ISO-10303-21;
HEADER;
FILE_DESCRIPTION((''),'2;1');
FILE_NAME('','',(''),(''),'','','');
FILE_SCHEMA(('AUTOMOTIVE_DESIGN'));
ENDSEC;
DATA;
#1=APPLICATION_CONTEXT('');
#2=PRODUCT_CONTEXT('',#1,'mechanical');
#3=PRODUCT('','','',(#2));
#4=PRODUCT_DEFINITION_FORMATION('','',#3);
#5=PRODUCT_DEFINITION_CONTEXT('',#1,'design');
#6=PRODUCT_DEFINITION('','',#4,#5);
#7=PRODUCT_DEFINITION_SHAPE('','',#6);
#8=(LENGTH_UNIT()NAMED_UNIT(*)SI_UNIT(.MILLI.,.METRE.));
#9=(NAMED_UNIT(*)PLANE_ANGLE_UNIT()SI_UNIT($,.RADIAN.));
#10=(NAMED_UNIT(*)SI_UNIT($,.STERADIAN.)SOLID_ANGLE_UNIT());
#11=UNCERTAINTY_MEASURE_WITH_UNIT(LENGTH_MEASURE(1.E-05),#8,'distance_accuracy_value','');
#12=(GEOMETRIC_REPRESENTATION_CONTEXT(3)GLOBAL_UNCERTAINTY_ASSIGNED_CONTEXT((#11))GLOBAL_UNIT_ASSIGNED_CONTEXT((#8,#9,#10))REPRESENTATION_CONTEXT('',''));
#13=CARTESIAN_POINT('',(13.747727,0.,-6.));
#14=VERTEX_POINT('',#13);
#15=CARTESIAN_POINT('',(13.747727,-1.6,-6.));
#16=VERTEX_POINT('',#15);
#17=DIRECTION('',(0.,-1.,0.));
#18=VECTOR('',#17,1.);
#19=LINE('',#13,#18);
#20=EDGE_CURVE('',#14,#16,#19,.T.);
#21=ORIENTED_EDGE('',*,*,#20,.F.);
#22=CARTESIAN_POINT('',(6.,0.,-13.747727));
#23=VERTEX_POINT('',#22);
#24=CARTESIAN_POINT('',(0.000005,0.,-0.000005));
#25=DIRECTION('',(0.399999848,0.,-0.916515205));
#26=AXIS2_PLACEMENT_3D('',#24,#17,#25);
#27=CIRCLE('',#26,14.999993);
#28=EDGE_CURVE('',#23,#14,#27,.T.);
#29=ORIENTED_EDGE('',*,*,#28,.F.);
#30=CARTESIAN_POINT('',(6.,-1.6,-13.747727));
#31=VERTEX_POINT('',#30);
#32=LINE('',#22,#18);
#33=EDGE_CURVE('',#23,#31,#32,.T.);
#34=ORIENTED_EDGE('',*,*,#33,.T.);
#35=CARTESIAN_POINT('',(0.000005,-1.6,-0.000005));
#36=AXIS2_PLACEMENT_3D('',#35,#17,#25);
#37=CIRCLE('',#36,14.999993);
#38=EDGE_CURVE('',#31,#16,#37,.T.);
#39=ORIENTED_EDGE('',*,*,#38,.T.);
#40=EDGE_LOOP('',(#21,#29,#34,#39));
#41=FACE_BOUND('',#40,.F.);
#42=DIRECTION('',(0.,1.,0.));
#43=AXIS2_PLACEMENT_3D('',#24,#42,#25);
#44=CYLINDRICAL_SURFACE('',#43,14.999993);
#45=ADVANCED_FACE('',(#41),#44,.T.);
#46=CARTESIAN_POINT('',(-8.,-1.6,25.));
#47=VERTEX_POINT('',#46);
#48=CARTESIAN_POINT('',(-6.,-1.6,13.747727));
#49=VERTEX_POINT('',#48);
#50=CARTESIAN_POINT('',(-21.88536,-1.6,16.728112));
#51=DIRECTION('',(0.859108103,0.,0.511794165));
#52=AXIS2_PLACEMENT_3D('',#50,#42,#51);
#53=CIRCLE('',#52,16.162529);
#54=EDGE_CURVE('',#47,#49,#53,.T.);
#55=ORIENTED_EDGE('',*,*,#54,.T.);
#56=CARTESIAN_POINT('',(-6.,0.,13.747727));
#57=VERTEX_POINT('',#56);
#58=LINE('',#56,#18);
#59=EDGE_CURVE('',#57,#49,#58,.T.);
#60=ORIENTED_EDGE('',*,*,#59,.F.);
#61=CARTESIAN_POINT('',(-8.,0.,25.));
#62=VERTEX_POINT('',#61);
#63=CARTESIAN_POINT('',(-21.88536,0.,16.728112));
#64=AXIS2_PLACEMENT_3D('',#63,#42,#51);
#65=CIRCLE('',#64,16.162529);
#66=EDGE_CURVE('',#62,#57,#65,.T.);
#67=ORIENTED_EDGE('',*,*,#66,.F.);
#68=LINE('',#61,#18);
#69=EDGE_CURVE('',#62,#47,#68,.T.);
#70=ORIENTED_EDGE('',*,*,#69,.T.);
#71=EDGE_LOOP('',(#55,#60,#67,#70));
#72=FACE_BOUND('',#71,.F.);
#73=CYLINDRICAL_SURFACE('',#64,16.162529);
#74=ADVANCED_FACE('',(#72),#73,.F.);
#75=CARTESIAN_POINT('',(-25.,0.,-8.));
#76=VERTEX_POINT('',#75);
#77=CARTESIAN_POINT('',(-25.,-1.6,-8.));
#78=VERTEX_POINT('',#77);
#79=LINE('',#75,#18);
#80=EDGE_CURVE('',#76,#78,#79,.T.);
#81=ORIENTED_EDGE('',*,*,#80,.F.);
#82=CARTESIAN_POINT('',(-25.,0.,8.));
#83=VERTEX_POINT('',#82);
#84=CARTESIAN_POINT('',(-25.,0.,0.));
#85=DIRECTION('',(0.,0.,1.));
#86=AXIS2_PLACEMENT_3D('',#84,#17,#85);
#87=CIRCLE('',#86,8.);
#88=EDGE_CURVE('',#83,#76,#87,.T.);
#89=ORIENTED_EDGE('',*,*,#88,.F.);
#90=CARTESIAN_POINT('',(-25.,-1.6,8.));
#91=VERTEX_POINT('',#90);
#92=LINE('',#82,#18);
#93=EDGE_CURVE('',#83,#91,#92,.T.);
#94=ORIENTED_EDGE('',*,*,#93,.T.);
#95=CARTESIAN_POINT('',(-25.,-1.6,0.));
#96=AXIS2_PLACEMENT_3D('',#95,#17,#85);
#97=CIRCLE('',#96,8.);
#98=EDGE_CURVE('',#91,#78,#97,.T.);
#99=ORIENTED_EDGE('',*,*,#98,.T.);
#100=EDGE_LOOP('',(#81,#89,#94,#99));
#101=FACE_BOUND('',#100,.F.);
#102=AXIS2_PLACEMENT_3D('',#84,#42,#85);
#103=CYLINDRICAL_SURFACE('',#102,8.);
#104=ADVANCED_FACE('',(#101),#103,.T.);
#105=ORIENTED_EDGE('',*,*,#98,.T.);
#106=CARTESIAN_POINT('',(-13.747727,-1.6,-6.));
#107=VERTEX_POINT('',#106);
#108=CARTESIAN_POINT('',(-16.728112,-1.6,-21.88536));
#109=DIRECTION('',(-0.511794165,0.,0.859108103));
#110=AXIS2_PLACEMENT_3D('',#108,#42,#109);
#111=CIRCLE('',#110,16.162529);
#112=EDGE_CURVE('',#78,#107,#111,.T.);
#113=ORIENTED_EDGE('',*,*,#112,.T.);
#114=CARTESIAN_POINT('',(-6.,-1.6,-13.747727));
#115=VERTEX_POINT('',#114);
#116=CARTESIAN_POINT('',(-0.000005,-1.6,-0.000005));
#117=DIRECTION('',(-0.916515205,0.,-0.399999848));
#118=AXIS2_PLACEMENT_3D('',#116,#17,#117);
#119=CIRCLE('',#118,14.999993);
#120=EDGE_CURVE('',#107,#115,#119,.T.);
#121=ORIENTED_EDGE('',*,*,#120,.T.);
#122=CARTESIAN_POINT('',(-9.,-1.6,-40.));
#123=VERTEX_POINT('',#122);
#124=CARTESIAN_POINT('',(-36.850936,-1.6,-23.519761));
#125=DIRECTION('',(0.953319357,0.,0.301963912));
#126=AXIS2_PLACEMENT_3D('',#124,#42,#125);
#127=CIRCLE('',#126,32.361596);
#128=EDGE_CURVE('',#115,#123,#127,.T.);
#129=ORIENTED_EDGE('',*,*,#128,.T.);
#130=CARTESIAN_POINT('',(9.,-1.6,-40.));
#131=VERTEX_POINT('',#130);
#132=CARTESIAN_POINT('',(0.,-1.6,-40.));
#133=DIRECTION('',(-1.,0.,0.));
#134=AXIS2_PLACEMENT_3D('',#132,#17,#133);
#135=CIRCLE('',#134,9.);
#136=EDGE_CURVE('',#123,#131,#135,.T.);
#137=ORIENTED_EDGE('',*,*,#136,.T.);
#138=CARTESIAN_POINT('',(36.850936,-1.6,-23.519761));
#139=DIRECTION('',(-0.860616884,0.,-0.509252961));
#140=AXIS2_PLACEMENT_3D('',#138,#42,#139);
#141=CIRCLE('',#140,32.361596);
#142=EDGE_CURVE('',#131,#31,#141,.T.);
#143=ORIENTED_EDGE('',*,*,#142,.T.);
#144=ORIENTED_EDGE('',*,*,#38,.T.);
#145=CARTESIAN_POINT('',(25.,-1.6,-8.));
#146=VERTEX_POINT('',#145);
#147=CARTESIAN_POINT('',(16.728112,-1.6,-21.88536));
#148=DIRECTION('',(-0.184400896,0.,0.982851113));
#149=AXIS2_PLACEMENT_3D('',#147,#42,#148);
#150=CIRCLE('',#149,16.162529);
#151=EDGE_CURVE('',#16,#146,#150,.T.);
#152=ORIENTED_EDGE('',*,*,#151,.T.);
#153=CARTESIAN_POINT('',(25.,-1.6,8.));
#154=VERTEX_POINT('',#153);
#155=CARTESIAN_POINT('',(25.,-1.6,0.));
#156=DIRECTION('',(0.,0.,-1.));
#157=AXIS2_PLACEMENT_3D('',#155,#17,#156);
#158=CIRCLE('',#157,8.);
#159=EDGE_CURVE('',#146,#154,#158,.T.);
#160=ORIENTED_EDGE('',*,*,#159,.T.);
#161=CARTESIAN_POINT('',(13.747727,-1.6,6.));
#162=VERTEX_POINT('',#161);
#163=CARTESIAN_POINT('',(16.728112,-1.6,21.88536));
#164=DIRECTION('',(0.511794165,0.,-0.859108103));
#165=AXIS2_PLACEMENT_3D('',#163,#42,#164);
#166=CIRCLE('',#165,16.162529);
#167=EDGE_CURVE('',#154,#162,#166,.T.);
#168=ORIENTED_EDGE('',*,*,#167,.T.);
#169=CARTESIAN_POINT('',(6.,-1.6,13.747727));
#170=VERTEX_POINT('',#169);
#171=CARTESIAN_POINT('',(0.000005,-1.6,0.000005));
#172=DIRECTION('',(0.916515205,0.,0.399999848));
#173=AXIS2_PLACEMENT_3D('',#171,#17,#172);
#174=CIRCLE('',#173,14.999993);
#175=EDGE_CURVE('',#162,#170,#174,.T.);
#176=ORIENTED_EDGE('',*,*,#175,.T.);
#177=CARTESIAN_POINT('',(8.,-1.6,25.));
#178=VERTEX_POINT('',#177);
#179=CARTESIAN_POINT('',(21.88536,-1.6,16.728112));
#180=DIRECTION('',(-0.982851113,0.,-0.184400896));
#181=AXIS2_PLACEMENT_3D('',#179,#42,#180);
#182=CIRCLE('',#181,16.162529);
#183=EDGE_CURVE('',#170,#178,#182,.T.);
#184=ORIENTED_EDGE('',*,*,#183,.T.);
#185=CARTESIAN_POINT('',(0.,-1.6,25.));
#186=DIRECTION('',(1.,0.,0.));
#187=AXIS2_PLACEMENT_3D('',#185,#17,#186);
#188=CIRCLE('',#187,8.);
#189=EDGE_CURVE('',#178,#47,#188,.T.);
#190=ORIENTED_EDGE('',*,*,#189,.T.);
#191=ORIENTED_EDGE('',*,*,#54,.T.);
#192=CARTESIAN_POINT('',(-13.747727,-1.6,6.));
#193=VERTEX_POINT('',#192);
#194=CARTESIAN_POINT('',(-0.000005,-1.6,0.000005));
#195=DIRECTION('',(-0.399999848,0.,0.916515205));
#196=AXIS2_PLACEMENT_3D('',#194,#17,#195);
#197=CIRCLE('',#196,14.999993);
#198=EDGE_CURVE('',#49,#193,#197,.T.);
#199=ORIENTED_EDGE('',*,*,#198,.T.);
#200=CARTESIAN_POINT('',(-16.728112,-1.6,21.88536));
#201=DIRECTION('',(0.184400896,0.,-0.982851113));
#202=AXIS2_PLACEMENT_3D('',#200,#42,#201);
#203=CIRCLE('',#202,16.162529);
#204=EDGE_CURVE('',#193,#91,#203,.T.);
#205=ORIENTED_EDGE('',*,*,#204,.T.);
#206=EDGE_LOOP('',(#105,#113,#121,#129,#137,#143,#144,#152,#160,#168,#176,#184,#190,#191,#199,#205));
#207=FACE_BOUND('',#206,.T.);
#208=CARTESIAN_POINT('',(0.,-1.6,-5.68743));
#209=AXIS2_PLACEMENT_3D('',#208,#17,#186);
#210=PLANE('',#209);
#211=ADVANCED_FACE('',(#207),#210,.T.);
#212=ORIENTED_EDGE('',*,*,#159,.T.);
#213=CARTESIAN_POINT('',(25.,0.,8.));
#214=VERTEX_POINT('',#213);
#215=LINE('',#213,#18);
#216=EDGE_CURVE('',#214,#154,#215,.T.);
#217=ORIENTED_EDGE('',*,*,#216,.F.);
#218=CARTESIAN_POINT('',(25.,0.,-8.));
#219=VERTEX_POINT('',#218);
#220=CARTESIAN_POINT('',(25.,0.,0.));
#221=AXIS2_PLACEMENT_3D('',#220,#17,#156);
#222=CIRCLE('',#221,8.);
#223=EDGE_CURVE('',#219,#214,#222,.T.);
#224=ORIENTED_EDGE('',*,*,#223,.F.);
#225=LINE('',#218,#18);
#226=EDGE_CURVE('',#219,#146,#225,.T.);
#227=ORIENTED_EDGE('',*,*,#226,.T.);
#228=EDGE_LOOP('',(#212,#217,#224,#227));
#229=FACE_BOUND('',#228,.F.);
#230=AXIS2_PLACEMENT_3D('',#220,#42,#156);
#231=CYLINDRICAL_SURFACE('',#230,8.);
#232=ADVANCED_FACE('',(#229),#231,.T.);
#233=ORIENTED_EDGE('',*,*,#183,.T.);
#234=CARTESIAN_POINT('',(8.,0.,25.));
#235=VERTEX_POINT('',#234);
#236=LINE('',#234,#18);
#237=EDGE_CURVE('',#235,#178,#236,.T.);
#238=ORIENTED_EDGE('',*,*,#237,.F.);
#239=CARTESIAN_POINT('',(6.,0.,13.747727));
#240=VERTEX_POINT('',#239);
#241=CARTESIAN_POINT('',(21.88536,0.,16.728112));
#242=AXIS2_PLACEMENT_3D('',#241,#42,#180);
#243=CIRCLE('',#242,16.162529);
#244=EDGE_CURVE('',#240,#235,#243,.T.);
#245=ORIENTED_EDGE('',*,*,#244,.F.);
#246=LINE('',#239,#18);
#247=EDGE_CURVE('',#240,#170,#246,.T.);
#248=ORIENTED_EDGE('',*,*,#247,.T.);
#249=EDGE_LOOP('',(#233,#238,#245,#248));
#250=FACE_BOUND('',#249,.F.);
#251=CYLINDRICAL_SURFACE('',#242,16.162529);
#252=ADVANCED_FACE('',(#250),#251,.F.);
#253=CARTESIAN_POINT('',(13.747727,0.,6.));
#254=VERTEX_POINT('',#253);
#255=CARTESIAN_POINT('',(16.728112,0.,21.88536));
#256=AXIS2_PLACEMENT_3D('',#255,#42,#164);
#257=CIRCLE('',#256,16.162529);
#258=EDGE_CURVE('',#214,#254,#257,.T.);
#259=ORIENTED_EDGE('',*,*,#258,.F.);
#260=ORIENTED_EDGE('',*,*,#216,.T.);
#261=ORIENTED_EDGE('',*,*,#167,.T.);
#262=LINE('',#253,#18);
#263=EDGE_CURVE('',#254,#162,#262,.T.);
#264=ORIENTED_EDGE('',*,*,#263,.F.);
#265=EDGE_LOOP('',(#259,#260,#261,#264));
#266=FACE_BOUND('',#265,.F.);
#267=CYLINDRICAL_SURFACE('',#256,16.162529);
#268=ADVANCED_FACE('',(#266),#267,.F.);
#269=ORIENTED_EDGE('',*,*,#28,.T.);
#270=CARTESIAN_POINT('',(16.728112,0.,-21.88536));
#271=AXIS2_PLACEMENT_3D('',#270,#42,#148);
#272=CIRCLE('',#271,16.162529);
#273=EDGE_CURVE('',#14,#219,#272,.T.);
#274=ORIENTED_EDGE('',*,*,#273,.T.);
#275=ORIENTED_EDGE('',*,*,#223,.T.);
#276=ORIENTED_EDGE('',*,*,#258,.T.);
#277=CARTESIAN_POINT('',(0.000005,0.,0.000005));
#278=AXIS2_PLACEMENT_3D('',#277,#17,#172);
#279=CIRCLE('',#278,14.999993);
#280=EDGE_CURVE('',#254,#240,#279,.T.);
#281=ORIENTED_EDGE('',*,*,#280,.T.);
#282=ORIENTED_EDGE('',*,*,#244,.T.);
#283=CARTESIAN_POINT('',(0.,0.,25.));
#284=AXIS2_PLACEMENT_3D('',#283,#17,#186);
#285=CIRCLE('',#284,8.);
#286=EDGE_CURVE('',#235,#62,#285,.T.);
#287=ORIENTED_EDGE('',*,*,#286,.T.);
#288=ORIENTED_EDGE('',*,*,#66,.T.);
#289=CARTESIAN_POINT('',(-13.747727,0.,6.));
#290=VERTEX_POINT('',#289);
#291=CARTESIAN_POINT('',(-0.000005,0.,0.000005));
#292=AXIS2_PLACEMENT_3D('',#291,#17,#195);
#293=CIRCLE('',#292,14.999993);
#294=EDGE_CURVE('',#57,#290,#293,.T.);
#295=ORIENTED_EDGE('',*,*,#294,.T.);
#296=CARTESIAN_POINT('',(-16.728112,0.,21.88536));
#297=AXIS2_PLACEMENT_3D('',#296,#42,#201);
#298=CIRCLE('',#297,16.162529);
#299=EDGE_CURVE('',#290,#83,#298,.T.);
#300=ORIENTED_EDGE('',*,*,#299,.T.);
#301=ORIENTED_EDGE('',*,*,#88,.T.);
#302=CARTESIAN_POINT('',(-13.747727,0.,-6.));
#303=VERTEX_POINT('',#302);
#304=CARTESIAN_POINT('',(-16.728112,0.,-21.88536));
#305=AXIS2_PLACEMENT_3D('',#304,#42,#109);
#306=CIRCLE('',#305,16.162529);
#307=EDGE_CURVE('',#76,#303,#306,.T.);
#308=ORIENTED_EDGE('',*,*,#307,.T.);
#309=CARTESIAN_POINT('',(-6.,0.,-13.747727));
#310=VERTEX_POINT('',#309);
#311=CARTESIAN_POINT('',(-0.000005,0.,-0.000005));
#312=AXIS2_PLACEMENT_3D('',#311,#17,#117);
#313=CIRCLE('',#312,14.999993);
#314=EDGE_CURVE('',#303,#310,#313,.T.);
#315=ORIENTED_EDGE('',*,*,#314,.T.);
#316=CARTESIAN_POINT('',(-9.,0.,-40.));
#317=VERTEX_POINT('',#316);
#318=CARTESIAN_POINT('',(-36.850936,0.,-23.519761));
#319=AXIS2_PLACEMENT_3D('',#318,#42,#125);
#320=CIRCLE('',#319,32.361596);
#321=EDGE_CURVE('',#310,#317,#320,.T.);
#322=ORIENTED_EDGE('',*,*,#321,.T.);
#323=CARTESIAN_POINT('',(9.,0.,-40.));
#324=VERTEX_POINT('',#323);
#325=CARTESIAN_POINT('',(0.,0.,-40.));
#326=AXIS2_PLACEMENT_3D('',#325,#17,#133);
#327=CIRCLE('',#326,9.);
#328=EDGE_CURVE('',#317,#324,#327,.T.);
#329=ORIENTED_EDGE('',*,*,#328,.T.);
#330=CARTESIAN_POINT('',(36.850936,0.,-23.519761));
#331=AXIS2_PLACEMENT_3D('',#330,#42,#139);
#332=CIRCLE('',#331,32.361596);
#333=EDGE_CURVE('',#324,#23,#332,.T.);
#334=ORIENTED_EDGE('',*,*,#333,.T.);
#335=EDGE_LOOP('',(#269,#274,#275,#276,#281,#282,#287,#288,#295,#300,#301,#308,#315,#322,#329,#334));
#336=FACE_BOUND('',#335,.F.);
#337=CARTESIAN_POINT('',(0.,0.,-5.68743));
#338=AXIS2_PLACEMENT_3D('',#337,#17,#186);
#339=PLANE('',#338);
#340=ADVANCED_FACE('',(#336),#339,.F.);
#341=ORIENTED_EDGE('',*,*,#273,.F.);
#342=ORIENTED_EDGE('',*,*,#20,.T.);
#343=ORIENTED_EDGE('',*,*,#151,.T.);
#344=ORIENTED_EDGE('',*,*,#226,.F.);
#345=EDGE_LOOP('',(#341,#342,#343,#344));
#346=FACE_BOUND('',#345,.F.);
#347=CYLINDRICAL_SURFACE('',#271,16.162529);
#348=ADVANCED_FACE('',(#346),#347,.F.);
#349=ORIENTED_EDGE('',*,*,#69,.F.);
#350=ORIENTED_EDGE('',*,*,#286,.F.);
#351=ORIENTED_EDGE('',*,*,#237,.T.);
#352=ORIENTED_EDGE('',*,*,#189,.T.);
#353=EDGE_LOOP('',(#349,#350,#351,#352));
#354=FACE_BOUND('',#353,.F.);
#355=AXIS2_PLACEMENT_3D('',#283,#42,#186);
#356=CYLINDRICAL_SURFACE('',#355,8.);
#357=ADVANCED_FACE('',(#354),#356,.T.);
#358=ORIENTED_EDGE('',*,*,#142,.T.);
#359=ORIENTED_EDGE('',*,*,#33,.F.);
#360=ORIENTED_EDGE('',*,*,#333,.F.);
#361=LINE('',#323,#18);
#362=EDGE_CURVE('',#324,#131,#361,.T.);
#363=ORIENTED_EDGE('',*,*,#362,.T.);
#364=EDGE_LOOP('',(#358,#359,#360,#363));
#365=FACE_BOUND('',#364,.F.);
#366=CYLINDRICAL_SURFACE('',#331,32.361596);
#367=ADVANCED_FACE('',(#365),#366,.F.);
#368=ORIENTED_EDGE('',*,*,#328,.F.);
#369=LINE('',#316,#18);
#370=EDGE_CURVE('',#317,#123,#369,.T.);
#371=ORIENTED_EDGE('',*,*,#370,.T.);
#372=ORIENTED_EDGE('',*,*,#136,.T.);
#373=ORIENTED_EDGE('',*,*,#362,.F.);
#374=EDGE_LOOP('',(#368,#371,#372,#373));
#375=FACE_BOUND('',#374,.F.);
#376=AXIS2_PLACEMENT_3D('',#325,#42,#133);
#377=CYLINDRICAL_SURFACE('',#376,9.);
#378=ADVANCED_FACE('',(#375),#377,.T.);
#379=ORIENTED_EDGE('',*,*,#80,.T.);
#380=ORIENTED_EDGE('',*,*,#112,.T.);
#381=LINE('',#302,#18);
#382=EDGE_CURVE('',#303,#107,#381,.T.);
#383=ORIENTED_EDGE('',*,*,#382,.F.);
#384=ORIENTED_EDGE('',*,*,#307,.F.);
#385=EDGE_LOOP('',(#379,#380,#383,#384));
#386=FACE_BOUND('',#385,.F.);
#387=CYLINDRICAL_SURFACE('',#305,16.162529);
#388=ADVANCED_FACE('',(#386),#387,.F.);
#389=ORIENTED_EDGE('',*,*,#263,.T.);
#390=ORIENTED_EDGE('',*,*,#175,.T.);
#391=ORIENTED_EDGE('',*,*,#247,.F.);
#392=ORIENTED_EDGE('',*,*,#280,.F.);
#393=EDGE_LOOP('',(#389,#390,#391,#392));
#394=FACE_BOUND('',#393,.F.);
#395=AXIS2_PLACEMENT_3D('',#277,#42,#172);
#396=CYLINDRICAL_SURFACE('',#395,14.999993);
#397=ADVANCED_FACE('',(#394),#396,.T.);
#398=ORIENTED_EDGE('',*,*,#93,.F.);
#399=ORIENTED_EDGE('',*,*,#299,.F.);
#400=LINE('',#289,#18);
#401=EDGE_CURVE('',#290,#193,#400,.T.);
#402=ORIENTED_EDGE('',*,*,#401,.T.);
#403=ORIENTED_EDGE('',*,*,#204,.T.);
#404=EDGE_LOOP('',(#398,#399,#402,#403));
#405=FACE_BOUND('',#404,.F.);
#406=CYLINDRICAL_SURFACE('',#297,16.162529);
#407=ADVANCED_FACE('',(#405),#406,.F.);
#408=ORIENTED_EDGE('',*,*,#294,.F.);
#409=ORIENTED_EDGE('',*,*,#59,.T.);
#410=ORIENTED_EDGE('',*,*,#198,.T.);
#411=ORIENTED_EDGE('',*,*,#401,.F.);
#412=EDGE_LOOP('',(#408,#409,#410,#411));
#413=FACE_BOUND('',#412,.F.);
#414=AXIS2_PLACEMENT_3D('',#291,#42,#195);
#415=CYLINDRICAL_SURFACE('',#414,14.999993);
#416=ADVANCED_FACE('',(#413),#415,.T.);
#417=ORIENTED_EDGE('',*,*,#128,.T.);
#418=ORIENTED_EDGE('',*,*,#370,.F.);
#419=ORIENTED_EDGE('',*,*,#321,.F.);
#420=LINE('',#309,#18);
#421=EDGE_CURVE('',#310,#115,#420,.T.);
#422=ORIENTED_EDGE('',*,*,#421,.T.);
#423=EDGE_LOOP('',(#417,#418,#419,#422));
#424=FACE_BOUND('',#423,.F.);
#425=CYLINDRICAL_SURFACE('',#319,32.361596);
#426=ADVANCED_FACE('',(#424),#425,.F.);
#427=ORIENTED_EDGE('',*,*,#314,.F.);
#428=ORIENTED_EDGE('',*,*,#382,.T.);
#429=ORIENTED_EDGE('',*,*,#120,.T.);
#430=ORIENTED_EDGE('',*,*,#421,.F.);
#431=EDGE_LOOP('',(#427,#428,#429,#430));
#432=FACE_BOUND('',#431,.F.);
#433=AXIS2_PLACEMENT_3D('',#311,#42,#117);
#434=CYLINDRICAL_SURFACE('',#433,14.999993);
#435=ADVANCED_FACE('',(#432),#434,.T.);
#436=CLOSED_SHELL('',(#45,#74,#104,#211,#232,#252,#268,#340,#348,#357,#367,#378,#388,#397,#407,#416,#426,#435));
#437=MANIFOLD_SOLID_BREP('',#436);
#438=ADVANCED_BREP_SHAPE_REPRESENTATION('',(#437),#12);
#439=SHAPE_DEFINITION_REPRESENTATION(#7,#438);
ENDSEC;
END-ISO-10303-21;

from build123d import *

# Parameters (mm, degrees)
F1_DEPTH = 1.6


with BuildPart() as f1:
    # F0 (on Front) → F1 (new body)
    with BuildSketch(Plane.XZ):
        with BuildLine():
            ThreePointArc((9, -40), (4.698597, -27.193996), (6, -13.747727))
            ThreePointArc((6, -13.747727), (10.606602, -10.606602), (13.747727, -6))
            ThreePointArc((13.747727, -6), (19.556539, -5.972241), (25, -8))
            ThreePointArc((25, -8), (33, 0), (25, 8))
            ThreePointArc((25, 8), (19.556539, 5.972241), (13.747727, 6))
            ThreePointArc((13.747727, 6), (10.606602, 10.606602), (6, 13.747727))
            ThreePointArc((6, 13.747727), (5.972241, 19.556539), (8, 25))
            ThreePointArc((8, 25), (0, 33), (-8, 25))
            ThreePointArc((-8, 25), (-5.972241, 19.556539), (-6, 13.747727))
            ThreePointArc((-6, 13.747727), (-10.606602, 10.606602), (-13.747727, 6))
            ThreePointArc((-13.747727, 6), (-19.556539, 5.972241), (-25, 8))
            ThreePointArc((-25, 8), (-33, 0), (-25, -8))
            ThreePointArc((-25, -8), (-19.556539, -5.972241), (-13.747727, -6))
            ThreePointArc((-13.747727, -6), (-10.606602, -10.606602), (-6, -13.747727))
            ThreePointArc((-6, -13.747727), (-4.698597, -27.193996), (-9, -40))
            ThreePointArc((-9, -40), (0, -49), (9, -40))
        make_face()
    extrude(amount=F1_DEPTH)


solid = f1.part
